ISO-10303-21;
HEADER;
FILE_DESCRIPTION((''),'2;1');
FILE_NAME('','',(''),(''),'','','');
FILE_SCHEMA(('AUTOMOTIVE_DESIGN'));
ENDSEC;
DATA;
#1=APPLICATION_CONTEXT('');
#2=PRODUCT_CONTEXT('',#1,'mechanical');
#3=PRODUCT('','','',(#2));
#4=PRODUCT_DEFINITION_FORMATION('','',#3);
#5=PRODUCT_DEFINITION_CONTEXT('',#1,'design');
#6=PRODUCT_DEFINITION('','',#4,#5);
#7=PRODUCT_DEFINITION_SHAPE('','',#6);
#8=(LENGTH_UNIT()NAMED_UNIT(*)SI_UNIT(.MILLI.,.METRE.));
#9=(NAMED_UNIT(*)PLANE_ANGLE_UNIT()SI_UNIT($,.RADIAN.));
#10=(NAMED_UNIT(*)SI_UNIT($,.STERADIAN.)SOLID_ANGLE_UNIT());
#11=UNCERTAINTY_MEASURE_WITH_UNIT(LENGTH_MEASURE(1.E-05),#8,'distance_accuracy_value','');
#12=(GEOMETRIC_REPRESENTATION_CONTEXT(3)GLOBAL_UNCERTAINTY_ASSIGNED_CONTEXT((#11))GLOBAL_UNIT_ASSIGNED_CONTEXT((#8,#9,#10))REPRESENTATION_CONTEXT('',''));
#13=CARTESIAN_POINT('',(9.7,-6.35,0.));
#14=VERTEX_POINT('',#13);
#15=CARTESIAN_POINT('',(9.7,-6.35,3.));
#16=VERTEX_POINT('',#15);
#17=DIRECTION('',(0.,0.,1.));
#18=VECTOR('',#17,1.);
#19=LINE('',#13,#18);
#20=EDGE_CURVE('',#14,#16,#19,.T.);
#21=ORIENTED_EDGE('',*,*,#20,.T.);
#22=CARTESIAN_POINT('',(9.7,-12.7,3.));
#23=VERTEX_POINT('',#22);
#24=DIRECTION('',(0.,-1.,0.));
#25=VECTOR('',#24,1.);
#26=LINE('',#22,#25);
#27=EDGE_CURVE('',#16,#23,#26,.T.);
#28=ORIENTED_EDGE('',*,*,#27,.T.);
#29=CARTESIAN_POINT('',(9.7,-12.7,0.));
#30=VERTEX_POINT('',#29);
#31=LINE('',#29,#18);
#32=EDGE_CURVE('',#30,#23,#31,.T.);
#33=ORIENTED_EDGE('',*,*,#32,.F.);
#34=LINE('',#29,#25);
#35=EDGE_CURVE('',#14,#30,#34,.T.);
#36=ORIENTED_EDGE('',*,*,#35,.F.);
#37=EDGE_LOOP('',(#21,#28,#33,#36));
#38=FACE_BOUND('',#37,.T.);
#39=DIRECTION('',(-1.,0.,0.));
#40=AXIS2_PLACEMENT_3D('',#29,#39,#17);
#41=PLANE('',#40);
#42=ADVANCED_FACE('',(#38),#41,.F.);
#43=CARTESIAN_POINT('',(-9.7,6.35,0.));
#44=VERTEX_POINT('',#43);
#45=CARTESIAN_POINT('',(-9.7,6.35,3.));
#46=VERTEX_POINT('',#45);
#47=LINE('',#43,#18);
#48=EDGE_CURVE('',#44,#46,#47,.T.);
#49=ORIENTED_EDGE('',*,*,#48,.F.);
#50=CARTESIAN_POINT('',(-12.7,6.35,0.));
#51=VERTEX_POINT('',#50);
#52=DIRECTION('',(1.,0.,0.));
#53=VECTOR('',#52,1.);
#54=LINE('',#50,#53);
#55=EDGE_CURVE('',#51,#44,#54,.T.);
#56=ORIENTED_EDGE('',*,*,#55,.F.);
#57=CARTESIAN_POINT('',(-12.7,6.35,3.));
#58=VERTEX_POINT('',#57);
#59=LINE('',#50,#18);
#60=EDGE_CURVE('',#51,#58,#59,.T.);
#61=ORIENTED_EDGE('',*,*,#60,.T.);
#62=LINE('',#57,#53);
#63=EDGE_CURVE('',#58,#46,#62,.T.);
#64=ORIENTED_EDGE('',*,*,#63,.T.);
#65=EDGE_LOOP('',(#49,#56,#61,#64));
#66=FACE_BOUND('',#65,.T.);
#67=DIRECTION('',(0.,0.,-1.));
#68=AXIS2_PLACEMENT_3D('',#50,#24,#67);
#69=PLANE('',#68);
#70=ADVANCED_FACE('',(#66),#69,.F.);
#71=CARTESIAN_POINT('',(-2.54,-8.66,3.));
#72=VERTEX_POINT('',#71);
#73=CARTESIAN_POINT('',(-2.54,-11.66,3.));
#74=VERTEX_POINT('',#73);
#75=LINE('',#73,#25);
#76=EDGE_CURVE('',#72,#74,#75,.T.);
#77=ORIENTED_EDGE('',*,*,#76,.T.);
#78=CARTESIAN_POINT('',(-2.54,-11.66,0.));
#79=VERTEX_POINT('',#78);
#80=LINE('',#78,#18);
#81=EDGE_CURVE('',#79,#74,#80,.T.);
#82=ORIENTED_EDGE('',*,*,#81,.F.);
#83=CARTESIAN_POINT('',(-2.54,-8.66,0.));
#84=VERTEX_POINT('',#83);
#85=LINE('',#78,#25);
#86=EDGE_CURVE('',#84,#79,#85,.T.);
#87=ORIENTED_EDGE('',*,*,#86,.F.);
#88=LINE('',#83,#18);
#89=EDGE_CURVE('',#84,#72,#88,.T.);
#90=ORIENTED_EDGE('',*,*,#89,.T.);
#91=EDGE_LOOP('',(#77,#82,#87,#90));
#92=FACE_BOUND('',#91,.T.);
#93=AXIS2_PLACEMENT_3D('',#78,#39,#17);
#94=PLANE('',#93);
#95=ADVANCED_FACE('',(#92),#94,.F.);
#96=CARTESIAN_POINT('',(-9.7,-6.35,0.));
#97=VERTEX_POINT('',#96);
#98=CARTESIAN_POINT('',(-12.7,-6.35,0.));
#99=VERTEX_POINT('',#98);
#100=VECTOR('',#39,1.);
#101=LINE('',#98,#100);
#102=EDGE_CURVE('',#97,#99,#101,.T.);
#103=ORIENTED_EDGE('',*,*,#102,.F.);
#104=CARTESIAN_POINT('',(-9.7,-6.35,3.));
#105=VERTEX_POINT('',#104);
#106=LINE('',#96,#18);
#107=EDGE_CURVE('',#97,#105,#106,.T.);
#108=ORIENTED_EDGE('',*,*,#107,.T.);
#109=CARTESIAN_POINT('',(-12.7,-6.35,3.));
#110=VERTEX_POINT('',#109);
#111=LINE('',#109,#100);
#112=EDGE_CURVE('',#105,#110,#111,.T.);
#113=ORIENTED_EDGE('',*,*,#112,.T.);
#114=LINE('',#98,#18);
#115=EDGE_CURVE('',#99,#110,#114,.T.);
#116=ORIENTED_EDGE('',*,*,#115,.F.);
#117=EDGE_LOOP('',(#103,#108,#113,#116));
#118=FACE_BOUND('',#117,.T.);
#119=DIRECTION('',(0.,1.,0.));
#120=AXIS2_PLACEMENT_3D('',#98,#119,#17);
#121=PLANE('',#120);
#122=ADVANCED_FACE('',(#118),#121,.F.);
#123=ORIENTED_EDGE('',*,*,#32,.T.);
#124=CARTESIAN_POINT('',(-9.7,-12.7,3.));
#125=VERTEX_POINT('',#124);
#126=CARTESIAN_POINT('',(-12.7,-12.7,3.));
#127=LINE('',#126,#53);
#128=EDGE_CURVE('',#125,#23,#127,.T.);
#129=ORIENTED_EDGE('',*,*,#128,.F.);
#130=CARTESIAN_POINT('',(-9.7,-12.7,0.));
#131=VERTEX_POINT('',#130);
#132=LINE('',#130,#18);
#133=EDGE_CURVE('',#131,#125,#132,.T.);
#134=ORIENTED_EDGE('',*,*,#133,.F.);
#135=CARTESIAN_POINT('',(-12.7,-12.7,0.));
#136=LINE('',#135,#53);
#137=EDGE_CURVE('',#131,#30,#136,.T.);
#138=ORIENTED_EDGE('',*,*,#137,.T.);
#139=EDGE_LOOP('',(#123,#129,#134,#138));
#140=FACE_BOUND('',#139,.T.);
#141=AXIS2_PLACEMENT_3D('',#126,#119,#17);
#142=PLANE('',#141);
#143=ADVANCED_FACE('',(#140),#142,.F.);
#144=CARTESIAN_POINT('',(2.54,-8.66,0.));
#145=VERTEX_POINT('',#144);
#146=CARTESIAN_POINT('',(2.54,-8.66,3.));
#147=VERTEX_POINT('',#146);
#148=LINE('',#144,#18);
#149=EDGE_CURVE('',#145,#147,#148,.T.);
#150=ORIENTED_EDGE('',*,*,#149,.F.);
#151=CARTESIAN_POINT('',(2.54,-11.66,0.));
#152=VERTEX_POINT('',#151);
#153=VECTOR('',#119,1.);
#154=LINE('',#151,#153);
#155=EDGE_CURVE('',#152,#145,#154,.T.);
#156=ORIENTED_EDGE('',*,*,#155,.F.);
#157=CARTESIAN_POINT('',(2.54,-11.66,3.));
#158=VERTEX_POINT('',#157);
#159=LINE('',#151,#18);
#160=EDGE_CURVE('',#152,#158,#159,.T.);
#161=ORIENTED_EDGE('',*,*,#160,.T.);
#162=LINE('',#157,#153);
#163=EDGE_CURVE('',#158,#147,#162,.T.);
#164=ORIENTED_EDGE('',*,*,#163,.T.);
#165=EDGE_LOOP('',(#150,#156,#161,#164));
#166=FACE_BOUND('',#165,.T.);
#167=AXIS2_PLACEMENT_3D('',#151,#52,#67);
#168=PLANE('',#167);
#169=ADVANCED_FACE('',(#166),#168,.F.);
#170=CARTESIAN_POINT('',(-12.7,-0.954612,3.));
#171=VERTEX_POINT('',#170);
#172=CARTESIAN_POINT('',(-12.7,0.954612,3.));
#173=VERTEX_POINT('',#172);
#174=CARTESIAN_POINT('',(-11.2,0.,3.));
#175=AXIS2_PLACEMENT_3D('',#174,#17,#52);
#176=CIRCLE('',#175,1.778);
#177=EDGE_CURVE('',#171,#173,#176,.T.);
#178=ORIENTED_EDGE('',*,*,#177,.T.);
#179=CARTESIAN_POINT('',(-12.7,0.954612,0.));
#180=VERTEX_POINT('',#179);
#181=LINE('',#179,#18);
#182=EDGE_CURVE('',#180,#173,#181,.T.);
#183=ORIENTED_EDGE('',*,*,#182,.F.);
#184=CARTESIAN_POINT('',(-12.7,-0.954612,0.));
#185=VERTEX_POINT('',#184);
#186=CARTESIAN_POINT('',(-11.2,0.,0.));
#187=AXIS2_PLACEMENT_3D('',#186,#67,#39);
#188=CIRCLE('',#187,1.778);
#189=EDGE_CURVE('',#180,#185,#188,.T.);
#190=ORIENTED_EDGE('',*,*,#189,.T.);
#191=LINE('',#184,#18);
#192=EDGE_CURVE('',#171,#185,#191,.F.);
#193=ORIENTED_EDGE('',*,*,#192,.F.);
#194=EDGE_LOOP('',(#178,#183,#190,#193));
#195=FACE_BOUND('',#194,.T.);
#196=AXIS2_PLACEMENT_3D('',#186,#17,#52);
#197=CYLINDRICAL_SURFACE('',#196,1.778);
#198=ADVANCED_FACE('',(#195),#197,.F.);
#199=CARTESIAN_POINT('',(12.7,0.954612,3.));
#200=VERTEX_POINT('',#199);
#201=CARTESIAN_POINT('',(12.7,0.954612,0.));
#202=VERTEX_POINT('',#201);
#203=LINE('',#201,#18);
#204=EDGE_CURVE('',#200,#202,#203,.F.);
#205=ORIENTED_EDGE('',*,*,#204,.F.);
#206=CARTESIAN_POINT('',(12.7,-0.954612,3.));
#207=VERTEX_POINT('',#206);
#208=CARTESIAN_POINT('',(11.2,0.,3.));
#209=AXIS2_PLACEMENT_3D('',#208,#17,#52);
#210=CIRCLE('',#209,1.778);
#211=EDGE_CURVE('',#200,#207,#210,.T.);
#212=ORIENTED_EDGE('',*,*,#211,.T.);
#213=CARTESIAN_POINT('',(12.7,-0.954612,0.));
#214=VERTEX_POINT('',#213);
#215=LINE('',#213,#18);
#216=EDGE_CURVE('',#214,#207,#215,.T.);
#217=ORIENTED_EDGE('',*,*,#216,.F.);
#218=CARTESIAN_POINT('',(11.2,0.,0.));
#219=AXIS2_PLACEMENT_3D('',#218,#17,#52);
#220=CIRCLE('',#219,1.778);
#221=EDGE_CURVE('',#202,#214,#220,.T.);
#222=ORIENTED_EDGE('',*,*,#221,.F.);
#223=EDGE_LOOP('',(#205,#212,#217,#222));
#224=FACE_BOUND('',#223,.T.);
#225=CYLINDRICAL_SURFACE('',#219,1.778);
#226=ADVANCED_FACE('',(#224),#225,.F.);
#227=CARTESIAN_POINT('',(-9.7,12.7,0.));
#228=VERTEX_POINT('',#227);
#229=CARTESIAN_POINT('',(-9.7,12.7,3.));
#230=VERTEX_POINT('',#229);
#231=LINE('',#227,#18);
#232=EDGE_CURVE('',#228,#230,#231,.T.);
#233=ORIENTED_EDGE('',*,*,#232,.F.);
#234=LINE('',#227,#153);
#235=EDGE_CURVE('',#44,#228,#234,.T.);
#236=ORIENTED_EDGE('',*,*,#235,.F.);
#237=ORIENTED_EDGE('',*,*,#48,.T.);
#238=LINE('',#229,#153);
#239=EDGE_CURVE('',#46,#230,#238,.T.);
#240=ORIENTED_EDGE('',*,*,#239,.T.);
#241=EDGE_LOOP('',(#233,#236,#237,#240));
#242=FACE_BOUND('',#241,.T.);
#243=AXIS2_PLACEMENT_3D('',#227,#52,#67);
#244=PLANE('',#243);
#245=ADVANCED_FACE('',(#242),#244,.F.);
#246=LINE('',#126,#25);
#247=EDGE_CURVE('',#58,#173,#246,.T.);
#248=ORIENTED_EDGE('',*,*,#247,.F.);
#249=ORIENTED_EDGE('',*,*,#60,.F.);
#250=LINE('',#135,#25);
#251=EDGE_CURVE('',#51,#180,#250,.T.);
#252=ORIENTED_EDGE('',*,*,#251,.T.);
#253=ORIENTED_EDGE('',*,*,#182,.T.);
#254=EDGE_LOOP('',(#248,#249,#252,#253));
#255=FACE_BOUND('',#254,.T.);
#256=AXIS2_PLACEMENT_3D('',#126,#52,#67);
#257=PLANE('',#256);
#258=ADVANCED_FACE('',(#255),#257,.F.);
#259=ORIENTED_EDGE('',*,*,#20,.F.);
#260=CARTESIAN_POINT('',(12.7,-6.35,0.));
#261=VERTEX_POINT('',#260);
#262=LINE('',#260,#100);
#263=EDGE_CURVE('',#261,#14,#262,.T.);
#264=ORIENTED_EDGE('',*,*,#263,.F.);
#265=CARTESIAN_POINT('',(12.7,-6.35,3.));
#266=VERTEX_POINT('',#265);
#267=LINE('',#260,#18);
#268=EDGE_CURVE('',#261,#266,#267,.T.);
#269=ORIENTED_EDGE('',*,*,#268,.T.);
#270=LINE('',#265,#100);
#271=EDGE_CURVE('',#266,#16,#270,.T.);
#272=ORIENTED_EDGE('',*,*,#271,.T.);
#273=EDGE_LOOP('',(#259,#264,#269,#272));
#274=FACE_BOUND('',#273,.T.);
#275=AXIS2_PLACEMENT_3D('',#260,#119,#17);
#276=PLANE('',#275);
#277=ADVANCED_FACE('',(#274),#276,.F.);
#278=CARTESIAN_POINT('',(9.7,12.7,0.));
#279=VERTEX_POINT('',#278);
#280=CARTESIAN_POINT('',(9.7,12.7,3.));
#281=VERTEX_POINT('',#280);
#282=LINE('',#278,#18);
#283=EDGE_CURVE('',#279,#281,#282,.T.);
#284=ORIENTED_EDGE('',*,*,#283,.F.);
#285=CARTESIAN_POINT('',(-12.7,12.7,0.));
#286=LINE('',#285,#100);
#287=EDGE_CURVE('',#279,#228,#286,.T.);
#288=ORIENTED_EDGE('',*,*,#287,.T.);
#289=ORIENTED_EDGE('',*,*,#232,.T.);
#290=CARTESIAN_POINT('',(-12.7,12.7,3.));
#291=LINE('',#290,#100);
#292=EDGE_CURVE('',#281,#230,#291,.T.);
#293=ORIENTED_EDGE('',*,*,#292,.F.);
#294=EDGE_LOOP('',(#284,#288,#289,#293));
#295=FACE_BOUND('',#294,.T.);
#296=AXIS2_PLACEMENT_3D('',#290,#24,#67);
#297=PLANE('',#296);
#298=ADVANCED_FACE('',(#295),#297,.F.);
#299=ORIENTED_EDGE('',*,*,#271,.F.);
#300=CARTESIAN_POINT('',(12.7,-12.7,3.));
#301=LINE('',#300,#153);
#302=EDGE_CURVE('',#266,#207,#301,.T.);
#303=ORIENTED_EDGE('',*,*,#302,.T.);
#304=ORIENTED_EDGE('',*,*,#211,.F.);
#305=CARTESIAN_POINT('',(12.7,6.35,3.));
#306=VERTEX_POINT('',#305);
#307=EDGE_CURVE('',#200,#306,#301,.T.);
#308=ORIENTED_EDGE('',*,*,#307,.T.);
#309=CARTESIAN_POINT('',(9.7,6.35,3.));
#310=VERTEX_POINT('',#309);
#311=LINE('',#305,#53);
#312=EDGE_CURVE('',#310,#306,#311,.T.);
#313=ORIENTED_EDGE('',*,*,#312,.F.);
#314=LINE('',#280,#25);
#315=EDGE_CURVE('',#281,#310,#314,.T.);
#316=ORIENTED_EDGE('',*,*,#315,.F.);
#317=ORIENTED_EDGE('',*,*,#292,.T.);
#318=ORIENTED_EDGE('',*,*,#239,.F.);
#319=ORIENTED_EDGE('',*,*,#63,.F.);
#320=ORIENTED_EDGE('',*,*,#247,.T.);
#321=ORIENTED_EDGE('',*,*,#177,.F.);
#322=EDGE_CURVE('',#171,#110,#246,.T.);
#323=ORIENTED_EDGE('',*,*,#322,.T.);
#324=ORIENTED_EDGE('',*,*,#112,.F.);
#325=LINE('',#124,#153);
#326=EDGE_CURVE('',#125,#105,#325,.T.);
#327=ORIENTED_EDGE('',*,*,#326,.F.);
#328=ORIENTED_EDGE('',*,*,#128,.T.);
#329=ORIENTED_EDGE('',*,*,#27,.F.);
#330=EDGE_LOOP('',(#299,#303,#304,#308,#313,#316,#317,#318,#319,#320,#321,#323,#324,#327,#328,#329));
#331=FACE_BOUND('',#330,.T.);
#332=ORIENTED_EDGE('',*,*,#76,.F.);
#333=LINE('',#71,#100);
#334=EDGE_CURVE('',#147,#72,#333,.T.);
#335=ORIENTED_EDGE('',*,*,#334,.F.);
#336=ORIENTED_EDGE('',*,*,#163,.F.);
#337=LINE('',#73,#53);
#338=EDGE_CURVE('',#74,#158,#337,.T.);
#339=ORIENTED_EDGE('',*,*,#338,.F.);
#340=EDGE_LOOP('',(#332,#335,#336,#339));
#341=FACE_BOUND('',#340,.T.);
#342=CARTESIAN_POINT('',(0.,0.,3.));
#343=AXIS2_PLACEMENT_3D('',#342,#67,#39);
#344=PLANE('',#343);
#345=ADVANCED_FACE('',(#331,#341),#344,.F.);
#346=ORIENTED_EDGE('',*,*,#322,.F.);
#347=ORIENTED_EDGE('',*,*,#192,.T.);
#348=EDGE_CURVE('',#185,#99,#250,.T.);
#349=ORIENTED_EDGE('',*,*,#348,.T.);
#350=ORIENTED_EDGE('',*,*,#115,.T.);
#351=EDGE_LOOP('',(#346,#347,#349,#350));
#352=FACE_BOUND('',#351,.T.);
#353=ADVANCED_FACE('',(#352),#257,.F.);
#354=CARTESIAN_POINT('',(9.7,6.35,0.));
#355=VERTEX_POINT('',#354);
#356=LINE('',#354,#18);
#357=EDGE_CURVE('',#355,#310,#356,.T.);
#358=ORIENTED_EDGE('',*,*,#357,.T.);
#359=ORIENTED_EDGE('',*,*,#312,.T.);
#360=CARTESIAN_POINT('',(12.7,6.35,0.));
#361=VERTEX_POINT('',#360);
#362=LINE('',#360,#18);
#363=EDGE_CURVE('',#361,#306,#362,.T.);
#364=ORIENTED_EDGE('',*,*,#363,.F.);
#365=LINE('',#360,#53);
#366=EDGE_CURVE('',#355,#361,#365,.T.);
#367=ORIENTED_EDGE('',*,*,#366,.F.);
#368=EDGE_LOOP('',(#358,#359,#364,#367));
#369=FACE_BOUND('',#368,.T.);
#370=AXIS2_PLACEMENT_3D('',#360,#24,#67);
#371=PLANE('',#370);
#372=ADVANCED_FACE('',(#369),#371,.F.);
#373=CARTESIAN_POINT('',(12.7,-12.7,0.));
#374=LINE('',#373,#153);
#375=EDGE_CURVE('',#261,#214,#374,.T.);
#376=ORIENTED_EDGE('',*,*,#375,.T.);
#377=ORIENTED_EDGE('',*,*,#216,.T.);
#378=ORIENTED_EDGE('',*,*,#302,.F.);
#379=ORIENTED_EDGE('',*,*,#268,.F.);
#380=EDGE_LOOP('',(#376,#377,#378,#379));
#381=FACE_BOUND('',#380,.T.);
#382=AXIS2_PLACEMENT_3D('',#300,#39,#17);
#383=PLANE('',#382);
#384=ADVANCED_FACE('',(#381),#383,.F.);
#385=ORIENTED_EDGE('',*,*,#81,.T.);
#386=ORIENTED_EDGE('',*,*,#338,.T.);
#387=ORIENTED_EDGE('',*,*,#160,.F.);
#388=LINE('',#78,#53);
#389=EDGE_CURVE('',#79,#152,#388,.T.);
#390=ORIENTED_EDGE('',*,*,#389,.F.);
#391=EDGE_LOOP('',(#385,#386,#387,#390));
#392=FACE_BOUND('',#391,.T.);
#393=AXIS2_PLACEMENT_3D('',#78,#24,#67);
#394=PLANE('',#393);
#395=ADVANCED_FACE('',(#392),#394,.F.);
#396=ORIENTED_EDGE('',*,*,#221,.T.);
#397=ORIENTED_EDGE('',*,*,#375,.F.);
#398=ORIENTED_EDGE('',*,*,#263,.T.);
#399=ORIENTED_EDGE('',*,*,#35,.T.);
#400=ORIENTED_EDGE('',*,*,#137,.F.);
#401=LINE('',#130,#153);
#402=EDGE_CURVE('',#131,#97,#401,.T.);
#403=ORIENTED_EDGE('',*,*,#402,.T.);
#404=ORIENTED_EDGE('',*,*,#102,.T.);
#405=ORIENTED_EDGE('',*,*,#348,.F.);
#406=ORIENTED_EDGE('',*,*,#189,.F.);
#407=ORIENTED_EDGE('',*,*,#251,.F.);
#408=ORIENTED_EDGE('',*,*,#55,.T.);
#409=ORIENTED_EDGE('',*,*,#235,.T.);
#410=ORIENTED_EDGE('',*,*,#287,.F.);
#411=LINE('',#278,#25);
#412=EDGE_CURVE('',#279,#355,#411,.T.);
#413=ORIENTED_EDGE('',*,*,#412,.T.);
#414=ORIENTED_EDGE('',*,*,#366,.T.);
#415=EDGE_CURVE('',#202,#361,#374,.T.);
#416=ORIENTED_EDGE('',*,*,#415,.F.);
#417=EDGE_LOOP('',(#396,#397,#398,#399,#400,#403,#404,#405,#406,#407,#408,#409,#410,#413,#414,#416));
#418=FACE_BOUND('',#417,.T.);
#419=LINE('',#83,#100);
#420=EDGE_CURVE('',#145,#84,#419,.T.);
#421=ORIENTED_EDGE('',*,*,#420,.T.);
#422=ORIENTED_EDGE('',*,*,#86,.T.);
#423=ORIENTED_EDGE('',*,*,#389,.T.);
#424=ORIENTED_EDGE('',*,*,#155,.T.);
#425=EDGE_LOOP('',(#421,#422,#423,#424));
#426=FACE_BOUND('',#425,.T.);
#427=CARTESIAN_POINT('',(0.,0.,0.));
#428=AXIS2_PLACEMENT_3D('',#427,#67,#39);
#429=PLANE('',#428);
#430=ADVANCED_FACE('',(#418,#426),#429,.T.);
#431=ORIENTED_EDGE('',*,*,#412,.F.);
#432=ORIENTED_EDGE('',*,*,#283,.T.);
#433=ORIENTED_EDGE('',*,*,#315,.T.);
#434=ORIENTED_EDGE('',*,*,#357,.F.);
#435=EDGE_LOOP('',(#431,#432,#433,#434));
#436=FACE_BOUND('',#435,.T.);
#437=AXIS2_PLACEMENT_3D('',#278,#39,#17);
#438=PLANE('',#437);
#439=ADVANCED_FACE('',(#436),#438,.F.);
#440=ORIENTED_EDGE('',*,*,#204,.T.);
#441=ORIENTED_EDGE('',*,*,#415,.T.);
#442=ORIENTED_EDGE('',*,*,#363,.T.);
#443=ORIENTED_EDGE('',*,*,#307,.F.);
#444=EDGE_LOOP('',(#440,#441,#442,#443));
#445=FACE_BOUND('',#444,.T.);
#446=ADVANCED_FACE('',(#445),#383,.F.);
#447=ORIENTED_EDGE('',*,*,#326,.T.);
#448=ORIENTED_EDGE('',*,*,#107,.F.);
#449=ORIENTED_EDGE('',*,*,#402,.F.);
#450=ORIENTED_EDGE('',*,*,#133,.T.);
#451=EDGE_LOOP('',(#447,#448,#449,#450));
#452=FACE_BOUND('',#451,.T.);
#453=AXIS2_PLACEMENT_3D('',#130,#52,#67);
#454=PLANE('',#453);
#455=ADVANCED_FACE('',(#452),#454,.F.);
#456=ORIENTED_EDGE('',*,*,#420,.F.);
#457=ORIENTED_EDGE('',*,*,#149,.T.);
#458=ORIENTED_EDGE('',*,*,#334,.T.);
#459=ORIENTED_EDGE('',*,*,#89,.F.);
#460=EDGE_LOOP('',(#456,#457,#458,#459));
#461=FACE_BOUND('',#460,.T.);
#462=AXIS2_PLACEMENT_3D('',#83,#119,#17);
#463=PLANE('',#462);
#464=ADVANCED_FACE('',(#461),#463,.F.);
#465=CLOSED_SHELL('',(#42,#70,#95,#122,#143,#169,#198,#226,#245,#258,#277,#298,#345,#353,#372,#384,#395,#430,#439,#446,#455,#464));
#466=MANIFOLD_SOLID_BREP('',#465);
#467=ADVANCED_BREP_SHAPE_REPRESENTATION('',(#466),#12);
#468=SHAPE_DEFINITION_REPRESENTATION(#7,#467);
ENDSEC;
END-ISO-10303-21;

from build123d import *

# Parameters (mm, degrees)
SKETCH1_W           = 25.4
SKETCH1_H           = 25.4
BOSS_EXTRUDE1_DEPTH = 3
SKETCH2_R           = 1.778
SKETCH2_W           = 3
SKETCH2_H           = 6.35
SKETCH2_W_2         = 5.08
SKETCH2_H_2         = 3
CUT_EXTRUDE1_DEPTH  = 19.209338264


with BuildPart() as part:
    # Sketch1 → Boss-Extrude1 (new body)
    with BuildSketch(Plane.XY):
        Rectangle(SKETCH1_W, SKETCH1_H)
    extrude(amount=BOSS_EXTRUDE1_DEPTH)

    # Sketch2 → Cut-Extrude1 (cut, through all)
    with BuildSketch(Plane.XY.offset(3)):
        with Locations((-11.2, 0)):
            Circle(SKETCH2_R)
        with Locations((11.2, 0)):
            Circle(SKETCH2_R)
        with Locations((11.2, 9.525)):
            Rectangle(SKETCH2_W, SKETCH2_H)
        with Locations((11.2, -9.525)):
            Rectangle(SKETCH2_W, SKETCH2_H)
        with Locations((-11.2, 9.525)):
            Rectangle(SKETCH2_W, SKETCH2_H)
        with Locations((-11.2, -9.525)):
            Rectangle(SKETCH2_W, SKETCH2_H)
        with Locations((0, -10.16)):
            Rectangle(SKETCH2_W_2, SKETCH2_H_2)
    extrude(amount=-CUT_EXTRUDE1_DEPTH, mode=Mode.SUBTRACT)


solid = part.part
